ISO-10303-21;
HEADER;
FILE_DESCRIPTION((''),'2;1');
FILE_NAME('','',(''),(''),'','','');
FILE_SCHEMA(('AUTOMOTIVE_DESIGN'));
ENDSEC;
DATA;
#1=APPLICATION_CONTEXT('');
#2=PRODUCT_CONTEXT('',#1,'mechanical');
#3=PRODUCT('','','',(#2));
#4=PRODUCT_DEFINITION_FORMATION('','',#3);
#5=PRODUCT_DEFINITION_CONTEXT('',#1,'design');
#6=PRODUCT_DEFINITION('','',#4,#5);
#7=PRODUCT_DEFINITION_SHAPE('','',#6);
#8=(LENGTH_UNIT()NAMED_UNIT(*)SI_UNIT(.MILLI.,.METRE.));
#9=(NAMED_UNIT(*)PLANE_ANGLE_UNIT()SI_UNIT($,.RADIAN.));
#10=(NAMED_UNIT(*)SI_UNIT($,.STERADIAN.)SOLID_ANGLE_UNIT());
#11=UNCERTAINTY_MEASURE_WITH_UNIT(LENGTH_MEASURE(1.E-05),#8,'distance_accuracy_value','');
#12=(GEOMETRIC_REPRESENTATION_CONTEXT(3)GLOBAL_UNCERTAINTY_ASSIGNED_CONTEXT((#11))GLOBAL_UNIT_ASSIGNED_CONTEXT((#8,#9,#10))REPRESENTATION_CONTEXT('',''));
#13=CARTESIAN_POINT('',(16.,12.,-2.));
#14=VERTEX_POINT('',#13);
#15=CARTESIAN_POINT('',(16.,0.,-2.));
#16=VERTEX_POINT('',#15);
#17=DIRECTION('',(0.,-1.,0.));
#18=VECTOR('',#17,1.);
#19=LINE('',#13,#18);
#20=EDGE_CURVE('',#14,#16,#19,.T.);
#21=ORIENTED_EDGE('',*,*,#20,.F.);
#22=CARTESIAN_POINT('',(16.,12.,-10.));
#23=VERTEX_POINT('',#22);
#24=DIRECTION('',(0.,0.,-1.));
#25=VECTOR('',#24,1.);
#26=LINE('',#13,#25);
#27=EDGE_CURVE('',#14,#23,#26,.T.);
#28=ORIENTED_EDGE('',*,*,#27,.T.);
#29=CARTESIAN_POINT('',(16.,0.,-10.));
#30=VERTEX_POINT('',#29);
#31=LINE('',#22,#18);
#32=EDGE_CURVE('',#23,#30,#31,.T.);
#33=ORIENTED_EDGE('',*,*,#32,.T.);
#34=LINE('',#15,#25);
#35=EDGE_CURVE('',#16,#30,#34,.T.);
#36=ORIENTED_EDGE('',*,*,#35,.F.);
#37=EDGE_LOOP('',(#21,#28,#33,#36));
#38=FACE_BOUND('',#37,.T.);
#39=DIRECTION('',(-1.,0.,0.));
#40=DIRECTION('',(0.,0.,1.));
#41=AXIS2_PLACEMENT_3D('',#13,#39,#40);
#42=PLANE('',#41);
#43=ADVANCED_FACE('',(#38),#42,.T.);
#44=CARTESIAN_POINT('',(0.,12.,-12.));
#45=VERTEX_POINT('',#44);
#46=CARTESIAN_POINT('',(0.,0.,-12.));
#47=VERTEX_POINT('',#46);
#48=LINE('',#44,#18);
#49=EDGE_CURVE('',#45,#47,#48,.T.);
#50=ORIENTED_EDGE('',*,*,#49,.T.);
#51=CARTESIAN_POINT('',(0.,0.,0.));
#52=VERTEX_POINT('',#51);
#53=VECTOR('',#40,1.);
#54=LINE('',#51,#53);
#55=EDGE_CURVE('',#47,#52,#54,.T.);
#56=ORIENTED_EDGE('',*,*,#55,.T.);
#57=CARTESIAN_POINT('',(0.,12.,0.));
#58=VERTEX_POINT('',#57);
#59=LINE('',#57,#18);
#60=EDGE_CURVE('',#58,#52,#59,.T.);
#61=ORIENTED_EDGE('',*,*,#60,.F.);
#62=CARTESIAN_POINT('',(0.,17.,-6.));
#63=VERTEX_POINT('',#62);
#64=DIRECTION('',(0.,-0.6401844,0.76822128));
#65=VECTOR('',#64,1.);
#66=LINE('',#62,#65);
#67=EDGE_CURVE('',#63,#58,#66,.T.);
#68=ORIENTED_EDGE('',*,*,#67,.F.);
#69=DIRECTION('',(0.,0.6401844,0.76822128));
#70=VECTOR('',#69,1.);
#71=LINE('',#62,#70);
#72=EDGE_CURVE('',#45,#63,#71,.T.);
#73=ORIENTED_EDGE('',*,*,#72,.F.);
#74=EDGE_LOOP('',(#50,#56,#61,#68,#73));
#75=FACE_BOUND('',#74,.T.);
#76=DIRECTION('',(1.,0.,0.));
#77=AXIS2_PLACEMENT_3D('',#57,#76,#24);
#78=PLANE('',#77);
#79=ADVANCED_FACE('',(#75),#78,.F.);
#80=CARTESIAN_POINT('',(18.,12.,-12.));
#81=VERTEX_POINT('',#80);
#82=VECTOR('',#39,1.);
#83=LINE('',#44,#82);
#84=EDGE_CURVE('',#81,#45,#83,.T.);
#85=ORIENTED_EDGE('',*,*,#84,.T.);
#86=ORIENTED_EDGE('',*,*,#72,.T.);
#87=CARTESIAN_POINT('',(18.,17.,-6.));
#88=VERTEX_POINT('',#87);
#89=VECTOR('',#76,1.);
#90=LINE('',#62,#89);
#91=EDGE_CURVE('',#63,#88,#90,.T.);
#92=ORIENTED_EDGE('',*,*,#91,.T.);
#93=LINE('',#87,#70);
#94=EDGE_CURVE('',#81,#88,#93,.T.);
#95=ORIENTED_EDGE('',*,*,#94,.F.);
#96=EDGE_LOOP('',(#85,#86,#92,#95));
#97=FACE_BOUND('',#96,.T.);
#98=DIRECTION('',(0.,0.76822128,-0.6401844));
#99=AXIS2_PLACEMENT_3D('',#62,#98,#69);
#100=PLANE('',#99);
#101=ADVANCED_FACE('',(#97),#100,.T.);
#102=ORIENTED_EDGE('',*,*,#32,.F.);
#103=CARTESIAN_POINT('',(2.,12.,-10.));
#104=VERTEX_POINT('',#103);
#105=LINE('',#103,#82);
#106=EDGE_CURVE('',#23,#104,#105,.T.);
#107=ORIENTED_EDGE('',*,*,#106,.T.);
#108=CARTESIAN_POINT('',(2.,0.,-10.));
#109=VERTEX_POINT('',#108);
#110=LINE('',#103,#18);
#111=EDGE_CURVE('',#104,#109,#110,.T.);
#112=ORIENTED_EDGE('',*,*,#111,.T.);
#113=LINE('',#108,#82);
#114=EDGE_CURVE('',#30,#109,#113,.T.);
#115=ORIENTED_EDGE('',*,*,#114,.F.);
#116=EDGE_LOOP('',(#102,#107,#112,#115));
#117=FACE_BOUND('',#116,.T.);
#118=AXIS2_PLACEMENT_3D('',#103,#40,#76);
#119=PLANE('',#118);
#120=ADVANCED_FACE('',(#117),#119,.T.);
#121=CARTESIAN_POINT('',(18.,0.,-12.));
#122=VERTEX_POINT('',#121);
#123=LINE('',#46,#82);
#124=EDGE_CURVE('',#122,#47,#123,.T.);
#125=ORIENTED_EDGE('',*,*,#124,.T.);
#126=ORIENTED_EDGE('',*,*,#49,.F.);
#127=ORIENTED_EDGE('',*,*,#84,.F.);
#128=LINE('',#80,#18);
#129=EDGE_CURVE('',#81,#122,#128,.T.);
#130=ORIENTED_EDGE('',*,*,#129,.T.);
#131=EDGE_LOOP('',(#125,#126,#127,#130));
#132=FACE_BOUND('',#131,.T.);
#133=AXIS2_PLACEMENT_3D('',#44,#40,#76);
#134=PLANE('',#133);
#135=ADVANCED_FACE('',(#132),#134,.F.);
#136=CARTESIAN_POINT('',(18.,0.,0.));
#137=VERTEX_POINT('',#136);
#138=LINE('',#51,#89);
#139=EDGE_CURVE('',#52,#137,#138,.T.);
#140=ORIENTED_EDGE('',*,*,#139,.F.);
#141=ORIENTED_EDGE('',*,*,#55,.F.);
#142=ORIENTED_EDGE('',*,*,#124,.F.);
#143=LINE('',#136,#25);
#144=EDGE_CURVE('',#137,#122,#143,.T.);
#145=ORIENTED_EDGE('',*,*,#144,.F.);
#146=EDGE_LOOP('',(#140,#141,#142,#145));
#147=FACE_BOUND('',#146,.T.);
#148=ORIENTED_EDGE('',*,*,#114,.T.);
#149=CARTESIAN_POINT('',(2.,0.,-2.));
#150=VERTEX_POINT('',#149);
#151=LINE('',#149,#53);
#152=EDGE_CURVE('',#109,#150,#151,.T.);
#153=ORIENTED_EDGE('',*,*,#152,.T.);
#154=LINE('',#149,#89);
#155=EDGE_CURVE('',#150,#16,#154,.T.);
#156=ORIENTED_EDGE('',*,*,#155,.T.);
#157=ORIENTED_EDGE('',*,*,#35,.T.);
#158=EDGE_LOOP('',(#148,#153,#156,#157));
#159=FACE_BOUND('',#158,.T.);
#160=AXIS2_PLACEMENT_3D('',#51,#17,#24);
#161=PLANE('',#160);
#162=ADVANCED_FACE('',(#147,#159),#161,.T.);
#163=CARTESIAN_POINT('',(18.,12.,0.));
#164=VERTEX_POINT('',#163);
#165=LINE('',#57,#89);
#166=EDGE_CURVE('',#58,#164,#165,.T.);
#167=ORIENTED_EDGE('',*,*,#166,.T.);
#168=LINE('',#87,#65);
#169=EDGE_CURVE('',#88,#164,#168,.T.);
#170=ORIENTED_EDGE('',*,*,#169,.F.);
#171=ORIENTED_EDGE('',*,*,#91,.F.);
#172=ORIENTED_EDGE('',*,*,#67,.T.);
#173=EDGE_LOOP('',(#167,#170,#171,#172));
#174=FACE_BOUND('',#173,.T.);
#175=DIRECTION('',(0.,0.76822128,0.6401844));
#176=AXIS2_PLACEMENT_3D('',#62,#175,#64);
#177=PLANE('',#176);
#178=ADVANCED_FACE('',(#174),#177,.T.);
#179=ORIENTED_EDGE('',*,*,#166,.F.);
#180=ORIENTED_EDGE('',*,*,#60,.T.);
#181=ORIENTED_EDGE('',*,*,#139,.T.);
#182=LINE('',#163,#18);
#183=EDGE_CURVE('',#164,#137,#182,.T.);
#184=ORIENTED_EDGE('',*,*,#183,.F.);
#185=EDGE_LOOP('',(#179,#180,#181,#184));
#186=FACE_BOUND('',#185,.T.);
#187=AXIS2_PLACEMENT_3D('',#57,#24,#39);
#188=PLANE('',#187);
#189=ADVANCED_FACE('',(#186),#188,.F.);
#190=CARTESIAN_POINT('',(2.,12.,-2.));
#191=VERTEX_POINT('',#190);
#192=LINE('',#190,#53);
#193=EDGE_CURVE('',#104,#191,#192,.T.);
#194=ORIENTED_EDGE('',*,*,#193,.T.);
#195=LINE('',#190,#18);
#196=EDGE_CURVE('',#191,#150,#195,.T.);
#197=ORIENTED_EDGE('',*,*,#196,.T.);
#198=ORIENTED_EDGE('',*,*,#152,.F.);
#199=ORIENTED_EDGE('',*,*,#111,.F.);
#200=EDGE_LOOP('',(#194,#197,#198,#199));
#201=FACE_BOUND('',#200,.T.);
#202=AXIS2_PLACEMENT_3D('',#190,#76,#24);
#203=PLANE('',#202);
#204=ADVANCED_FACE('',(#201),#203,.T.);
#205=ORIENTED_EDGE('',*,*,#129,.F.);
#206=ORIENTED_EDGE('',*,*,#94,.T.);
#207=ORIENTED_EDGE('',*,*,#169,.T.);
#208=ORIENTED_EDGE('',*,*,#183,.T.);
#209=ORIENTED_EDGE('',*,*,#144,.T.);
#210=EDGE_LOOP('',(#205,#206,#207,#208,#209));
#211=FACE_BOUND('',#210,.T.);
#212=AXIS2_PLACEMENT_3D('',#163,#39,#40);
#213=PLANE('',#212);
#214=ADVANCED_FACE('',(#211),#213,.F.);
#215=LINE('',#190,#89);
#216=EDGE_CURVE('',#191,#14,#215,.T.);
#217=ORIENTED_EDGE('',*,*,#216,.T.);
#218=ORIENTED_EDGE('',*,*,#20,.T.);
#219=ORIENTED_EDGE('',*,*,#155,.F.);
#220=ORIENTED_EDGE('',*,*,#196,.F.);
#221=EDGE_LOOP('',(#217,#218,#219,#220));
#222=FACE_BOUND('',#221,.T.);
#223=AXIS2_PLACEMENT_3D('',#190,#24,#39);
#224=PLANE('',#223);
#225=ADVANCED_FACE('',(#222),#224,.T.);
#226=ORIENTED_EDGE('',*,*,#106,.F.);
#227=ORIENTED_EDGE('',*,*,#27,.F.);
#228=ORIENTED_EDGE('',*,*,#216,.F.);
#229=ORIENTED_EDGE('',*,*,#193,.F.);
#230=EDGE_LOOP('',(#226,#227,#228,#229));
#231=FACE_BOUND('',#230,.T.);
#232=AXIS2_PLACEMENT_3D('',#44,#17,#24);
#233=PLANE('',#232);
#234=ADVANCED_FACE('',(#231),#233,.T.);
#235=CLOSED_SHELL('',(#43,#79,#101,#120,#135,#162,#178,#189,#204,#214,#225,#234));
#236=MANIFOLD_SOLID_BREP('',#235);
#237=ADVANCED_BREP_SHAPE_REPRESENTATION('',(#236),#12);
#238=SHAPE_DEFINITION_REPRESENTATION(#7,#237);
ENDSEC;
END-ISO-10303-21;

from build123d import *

# Parameters (mm, degrees)
SKETCH1_W           = 18
SKETCH1_H           = 12
SKETCH1_W_2         = 14
SKETCH1_H_2         = 8
BOSS_EXTRUDE1_DEPTH = 12
BOSS_EXTRUDE2_DEPTH = 18


with BuildPart() as part:
    # Sketch1 → Boss-Extrude1 (new body)
    with BuildSketch(Plane(origin=(0, 0, 0), x_dir=(1, 0, 0), z_dir=(0, 1, 0))):
        with Locations((9, 6)):
            Rectangle(SKETCH1_W, SKETCH1_H)
        with Locations((9, 6)):
            Rectangle(SKETCH1_W_2, SKETCH1_H_2, mode=Mode.SUBTRACT)
    extrude(amount=BOSS_EXTRUDE1_DEPTH)

    # Sketch2 → Boss-Extrude2 (add)
    with BuildSketch(Plane(origin=(18, 0, 0), x_dir=(0, 0, -1), z_dir=(1, 0, 0))):
        Polygon((6, 17), (0, 12), (12, 12), align=None)
    extrude(amount=-BOSS_EXTRUDE2_DEPTH)


solid = part.part
